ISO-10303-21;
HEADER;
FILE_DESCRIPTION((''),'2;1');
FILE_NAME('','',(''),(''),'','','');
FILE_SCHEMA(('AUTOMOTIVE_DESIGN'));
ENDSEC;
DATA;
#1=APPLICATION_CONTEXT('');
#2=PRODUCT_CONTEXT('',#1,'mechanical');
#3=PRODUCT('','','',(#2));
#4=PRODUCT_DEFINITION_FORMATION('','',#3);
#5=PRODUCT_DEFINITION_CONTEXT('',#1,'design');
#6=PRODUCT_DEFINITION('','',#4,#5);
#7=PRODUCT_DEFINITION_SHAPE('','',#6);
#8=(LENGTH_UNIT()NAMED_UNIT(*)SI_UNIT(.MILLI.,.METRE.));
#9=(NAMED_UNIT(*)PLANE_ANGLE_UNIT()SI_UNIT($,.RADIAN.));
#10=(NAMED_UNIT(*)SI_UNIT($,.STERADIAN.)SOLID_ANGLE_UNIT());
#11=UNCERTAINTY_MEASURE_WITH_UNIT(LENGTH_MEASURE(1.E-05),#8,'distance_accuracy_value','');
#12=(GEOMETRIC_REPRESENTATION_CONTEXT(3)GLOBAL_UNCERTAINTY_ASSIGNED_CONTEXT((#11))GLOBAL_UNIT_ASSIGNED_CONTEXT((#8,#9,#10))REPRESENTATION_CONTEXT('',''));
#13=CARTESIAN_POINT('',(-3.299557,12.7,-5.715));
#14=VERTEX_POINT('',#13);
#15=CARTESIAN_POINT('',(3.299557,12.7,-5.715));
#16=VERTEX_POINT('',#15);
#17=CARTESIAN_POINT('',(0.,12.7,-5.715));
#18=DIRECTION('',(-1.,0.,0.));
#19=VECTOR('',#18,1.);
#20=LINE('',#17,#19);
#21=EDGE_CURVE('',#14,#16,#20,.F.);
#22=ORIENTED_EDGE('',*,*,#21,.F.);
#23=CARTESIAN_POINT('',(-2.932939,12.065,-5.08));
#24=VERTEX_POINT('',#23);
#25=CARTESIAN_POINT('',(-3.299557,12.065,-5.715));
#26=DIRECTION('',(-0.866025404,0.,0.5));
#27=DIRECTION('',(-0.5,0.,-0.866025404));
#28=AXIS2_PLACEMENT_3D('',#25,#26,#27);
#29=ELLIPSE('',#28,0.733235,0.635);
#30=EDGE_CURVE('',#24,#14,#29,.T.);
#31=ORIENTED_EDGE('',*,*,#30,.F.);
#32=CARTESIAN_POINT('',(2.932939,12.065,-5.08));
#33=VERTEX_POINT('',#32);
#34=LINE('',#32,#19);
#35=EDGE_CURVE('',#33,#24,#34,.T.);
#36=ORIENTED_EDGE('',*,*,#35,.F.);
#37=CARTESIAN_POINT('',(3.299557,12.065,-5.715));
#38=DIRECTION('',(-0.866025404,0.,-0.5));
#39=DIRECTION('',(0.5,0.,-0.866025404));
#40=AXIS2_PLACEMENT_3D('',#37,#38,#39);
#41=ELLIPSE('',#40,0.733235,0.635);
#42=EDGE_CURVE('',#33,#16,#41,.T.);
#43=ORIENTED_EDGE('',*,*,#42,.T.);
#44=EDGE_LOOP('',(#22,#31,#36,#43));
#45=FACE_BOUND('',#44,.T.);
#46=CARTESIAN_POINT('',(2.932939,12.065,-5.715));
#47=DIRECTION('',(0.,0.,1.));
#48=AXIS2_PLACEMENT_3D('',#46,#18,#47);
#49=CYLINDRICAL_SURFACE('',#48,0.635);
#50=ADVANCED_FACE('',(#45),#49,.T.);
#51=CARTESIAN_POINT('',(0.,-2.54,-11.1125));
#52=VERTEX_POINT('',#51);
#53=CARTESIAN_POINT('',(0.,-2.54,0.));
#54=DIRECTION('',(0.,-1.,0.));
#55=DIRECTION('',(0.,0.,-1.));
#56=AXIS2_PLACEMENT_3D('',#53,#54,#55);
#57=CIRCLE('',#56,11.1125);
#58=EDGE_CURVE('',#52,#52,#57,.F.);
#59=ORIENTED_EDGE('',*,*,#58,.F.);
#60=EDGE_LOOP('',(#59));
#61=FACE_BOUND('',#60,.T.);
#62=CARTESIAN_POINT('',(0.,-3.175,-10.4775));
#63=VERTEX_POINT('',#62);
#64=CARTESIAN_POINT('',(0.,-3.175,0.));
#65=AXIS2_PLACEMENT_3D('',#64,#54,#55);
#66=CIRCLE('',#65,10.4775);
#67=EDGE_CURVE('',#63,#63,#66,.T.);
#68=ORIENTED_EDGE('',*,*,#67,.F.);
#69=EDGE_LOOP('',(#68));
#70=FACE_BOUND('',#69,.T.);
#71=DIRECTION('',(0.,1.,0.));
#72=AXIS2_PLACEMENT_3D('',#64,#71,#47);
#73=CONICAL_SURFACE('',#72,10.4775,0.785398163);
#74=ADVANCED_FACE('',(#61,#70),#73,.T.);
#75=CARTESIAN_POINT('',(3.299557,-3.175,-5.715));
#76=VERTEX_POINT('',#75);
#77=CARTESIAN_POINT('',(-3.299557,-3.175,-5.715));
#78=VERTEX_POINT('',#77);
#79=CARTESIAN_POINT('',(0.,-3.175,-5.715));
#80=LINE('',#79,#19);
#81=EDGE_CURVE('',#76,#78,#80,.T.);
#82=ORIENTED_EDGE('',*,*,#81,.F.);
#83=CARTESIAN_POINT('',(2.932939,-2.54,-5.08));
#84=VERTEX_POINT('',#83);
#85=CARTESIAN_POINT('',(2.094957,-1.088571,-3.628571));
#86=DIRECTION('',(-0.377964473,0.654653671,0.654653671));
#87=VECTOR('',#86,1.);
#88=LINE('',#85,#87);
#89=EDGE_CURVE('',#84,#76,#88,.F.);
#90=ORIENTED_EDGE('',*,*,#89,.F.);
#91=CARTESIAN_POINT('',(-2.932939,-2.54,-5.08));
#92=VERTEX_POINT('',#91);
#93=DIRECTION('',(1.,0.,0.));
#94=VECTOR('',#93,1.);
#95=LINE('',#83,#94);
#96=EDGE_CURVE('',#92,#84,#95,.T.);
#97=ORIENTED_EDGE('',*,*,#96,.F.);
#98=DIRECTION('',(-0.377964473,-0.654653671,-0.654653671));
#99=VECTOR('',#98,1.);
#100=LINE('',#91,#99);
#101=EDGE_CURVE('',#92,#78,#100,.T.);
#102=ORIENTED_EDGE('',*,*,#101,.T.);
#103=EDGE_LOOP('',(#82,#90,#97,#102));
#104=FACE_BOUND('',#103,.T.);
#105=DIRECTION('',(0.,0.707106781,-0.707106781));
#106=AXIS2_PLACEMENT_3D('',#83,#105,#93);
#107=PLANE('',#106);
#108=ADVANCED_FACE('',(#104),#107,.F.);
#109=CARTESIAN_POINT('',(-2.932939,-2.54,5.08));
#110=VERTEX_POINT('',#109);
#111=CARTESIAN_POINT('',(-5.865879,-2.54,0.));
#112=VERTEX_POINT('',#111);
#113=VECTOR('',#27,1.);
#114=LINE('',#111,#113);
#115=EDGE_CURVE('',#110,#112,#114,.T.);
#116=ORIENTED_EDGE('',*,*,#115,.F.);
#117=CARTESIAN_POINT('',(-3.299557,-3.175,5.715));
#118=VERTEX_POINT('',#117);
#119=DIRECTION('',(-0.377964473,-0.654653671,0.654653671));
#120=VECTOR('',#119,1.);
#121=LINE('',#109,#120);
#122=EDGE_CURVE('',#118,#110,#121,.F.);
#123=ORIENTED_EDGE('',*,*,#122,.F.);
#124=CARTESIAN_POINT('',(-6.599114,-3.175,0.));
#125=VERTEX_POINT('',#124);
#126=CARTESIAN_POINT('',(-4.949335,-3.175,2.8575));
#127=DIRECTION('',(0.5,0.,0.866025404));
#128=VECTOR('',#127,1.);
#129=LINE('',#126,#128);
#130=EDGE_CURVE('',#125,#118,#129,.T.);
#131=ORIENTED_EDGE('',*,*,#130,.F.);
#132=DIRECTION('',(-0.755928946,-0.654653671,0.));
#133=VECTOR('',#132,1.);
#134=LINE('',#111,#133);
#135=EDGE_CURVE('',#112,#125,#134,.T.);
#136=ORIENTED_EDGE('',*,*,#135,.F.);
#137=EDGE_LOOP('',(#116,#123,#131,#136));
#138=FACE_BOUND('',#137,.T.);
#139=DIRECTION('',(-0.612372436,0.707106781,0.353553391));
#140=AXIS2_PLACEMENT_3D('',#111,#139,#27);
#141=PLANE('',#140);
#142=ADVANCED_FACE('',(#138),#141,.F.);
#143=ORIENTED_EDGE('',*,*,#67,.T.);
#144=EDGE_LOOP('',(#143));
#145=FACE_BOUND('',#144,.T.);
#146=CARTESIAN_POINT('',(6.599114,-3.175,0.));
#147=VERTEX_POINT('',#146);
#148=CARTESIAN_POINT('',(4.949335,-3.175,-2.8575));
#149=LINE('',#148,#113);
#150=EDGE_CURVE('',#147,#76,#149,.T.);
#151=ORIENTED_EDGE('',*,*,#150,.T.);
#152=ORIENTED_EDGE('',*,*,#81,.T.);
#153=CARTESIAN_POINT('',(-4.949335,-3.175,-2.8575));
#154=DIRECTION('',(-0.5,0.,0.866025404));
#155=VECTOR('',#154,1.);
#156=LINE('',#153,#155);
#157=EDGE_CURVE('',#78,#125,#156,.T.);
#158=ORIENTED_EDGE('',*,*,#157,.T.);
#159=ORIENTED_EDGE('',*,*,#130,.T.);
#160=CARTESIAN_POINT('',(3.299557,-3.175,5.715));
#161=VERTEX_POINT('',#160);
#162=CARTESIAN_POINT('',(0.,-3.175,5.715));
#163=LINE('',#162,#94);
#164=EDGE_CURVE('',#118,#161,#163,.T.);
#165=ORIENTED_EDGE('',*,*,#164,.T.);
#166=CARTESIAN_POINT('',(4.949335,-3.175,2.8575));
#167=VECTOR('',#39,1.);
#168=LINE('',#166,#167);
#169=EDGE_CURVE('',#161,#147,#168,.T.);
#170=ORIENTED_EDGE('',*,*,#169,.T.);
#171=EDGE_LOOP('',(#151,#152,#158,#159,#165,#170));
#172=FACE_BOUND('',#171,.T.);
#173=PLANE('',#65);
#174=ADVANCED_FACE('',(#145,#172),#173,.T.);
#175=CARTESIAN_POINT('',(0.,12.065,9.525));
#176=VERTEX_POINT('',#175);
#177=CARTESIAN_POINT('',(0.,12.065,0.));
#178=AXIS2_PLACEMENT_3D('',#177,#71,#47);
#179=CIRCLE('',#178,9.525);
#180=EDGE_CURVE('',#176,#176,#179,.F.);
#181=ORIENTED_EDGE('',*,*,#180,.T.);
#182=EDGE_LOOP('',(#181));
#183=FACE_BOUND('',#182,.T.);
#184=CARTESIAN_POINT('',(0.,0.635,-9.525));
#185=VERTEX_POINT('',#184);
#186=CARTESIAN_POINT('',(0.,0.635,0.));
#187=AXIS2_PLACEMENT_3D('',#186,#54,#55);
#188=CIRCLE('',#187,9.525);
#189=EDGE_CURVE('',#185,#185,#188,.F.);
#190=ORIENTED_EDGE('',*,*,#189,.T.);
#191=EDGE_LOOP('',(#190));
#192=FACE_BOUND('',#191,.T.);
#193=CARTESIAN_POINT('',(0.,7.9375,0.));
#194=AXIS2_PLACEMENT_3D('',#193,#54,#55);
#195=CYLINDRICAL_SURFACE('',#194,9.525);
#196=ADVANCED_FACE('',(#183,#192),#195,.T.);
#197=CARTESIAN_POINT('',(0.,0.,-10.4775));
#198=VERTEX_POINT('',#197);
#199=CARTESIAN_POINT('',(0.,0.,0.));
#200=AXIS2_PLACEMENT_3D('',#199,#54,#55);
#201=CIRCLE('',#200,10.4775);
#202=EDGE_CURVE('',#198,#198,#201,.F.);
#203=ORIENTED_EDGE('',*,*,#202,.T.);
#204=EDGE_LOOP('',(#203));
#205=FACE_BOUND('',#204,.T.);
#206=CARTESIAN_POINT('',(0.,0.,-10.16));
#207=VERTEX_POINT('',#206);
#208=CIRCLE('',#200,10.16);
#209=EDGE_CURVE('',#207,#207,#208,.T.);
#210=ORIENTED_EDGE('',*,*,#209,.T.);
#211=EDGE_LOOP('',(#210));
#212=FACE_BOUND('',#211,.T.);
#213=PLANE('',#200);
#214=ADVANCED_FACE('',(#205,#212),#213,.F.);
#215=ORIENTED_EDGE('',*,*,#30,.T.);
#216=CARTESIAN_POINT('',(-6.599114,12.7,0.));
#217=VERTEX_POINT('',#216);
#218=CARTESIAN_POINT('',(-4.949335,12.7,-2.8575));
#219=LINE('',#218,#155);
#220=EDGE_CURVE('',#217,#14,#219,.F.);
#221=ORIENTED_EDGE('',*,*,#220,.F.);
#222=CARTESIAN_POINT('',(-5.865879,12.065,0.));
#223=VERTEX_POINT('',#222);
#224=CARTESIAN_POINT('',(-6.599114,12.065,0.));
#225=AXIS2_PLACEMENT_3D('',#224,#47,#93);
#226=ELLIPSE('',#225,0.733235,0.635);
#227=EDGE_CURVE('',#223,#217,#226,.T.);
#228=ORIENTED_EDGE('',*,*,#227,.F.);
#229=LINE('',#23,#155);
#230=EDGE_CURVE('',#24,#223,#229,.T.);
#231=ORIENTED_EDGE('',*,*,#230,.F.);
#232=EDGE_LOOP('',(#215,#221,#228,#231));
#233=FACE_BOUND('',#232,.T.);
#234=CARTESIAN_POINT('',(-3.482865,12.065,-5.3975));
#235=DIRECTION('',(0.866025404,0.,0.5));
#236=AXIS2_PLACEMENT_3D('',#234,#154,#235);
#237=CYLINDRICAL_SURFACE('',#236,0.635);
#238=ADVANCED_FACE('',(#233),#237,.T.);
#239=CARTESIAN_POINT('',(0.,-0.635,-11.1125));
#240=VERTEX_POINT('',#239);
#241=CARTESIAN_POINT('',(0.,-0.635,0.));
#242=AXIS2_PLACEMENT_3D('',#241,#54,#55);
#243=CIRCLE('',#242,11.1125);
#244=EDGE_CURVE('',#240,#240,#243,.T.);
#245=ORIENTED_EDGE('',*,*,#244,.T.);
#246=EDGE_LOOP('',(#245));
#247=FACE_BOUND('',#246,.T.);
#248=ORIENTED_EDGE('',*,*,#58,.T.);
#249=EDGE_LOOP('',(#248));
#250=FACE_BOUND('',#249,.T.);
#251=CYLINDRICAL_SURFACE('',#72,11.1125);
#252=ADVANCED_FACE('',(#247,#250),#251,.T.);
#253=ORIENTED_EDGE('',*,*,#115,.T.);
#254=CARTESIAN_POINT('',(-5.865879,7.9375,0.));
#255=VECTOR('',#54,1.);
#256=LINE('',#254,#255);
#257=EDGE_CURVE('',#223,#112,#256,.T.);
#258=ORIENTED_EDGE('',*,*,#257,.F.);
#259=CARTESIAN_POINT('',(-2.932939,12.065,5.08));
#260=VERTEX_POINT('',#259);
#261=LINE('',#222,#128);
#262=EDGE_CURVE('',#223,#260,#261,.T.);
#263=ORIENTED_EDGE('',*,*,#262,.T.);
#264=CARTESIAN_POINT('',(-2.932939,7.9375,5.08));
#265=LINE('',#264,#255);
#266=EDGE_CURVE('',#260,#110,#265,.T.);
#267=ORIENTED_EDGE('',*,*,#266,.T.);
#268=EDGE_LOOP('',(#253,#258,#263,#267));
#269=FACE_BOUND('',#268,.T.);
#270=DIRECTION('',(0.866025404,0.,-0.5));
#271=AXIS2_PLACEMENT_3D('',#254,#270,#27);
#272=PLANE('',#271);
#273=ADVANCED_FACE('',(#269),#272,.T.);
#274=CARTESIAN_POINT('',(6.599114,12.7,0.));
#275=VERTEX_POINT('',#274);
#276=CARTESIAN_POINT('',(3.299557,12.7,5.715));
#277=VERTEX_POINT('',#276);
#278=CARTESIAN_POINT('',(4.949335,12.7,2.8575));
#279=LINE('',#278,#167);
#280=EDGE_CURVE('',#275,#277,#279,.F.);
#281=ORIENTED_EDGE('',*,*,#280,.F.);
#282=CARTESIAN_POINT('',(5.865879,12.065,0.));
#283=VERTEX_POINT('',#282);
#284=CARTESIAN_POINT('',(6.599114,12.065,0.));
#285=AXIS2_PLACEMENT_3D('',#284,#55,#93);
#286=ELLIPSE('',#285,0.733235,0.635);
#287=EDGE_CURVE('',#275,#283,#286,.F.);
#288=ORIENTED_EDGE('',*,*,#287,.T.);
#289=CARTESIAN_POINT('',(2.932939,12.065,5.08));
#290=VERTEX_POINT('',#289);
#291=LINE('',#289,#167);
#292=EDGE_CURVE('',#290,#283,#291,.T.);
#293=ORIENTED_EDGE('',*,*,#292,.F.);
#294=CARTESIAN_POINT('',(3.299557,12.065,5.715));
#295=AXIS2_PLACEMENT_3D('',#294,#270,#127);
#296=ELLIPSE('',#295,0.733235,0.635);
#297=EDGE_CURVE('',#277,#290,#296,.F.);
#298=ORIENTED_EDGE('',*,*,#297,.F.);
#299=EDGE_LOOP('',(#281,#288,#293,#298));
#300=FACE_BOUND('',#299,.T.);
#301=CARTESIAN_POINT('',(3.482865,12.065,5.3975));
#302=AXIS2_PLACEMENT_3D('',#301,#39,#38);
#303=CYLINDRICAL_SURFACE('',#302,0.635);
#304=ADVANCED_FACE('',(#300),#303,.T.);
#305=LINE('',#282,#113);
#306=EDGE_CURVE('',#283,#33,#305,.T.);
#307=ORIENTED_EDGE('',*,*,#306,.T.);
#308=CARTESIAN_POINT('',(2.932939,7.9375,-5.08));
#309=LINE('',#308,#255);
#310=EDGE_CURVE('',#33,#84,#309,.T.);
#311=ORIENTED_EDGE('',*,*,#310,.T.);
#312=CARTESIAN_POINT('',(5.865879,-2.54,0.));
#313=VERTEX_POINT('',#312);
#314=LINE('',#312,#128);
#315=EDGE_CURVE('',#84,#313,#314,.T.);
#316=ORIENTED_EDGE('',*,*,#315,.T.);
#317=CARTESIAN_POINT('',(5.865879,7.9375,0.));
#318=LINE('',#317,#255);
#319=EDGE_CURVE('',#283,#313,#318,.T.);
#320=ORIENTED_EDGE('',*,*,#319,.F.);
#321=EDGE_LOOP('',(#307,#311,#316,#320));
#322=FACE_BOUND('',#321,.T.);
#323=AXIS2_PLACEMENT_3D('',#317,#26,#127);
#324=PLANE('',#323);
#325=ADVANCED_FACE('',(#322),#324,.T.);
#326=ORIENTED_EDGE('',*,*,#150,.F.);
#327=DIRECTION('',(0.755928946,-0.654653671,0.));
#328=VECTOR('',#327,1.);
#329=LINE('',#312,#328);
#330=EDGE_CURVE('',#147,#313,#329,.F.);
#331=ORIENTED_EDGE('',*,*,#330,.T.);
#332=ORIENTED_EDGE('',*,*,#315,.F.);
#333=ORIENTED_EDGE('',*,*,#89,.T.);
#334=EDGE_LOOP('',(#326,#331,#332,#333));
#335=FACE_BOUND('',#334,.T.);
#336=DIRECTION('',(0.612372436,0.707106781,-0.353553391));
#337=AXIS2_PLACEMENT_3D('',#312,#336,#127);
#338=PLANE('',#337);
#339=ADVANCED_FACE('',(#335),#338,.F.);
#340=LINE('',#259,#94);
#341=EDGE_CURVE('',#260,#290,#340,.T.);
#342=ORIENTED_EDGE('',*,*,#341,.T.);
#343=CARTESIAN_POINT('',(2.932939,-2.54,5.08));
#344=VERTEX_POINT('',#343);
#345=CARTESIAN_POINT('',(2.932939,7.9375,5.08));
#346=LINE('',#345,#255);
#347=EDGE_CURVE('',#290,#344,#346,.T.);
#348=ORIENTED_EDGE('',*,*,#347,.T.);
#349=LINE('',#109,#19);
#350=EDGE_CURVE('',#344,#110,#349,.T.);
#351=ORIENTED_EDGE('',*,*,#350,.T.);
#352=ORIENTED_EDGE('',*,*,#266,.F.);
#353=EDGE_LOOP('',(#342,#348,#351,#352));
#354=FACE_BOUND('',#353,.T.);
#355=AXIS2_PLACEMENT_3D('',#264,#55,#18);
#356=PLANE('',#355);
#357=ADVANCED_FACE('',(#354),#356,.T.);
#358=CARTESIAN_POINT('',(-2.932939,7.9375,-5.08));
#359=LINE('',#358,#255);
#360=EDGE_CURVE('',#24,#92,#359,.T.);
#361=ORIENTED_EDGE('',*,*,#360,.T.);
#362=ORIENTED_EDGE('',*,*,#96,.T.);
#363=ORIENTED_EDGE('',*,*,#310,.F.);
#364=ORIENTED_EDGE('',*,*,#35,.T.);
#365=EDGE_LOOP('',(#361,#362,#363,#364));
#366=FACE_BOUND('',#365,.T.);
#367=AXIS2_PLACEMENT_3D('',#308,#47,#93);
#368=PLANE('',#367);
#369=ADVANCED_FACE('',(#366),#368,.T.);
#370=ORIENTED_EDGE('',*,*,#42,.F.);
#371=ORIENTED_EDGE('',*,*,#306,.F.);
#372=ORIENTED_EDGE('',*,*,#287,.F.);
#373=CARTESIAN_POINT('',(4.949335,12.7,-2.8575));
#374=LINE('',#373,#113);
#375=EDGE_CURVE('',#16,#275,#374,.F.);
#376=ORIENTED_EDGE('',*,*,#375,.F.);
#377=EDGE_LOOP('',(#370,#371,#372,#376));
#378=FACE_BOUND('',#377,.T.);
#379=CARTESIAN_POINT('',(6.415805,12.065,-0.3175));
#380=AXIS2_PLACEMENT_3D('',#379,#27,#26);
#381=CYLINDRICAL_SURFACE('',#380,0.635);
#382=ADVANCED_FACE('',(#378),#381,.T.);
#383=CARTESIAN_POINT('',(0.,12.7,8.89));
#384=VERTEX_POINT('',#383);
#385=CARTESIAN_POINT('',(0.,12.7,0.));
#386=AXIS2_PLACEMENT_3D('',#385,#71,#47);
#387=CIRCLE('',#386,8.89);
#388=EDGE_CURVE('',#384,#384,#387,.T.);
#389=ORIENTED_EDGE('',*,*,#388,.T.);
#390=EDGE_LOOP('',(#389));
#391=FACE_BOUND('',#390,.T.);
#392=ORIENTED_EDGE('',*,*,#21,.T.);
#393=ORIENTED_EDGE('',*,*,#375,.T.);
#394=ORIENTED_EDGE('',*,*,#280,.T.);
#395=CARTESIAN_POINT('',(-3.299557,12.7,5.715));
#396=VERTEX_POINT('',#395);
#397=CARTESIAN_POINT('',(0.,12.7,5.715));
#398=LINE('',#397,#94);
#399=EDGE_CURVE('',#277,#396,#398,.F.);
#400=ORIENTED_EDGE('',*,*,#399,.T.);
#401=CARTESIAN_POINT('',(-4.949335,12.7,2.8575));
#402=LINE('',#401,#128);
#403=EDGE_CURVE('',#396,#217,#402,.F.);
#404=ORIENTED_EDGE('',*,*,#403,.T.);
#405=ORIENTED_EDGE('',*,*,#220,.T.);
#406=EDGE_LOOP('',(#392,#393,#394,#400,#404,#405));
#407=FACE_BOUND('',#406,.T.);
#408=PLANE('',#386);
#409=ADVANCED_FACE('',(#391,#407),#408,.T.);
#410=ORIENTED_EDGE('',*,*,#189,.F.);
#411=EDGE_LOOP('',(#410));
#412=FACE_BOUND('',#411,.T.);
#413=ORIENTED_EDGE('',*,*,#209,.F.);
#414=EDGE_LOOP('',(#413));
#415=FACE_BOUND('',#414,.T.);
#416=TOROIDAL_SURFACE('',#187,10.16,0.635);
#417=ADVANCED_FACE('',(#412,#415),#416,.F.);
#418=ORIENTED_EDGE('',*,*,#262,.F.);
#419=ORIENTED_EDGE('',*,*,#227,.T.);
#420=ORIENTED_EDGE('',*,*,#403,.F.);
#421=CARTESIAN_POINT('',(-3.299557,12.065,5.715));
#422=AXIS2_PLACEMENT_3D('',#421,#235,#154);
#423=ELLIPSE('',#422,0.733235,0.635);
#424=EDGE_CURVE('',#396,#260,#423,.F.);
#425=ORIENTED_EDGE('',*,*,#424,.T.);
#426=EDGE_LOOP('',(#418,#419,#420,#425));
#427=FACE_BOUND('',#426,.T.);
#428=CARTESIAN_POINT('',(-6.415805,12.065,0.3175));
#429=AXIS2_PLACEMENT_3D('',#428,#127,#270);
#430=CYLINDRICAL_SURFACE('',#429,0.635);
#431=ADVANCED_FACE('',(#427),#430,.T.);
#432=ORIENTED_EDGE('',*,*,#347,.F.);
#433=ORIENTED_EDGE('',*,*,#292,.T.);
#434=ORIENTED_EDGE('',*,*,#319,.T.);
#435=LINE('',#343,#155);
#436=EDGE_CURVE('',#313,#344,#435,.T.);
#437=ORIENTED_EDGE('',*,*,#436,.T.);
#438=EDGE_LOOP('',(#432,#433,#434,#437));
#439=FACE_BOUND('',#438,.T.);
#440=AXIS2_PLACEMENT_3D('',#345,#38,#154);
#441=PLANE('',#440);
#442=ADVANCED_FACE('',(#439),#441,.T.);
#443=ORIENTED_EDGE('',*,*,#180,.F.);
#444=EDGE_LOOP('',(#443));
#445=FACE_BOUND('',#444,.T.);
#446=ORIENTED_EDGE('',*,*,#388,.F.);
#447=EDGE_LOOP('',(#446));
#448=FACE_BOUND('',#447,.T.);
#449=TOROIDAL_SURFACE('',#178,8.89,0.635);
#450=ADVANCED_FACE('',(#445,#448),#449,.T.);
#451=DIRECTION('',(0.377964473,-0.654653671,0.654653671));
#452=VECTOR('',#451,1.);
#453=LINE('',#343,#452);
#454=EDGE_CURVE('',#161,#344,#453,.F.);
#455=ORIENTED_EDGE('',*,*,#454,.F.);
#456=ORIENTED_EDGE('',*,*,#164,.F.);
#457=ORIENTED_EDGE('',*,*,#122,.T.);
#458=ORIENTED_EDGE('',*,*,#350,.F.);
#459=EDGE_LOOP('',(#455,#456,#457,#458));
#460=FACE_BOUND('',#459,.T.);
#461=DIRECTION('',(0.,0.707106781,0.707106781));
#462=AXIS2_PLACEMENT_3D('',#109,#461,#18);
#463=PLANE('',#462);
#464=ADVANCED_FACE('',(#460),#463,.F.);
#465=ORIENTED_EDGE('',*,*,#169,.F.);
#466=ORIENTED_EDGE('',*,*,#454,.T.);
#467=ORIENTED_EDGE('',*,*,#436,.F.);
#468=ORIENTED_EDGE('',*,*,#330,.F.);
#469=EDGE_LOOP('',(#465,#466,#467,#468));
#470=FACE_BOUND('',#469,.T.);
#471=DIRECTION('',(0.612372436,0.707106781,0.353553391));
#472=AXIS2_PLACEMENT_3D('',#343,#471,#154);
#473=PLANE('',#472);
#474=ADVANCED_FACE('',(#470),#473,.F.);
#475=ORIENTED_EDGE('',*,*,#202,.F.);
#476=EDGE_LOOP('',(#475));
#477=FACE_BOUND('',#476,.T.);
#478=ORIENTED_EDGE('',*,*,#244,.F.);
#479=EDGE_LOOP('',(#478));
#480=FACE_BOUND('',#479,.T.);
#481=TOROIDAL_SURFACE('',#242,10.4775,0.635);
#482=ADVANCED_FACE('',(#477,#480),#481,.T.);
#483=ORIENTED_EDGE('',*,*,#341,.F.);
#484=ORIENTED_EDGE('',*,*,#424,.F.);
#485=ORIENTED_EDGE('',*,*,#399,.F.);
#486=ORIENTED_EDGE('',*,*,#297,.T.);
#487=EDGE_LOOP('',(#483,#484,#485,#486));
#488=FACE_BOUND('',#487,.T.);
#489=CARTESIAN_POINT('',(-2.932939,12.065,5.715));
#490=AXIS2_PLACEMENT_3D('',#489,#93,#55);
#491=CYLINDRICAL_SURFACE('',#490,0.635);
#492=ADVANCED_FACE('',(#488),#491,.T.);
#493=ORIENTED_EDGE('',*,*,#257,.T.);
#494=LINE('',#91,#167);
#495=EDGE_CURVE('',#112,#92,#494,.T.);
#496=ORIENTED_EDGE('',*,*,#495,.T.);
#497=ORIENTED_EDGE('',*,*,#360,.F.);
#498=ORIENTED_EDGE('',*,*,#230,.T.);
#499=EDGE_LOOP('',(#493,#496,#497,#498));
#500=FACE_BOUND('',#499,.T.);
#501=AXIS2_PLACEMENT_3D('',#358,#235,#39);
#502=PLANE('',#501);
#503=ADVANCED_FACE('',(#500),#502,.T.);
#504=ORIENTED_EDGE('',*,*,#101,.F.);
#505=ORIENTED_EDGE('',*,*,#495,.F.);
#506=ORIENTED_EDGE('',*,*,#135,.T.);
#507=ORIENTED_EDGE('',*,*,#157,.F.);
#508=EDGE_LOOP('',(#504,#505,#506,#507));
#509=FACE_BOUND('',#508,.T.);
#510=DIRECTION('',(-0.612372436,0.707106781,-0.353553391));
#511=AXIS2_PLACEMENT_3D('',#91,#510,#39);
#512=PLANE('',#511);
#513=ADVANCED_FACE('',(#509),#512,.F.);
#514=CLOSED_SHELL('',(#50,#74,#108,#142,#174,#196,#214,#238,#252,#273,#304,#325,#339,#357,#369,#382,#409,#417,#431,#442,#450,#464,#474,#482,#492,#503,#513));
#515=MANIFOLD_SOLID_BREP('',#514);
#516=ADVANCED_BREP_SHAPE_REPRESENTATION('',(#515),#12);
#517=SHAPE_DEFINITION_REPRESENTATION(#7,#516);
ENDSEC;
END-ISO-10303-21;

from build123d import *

# Parameters (mm, degrees)
SKETCH1_R           = 9.525
BOSS_EXTRUDE1_DEPTH = 7.9375
SKETCH2_R           = 9.525
BOSS_EXTRUDE2_DEPTH = 4.7625
SKETCH3_R           = 11.1125
BOSS_EXTRUDE3_DEPTH = 3.175
FILLET1_R           = 0.635
FILLET3_R           = 0.635
CHAMFER1_SIZE       = 0.635


with BuildPart() as part:
    # Sketch1 → Boss-Extrude1 (new body)
    with BuildSketch(Plane(origin=(0, 0, 0), x_dir=(1, 0, 0), z_dir=(0, 1, 0))):
        with Locations(Location((0, 0, 0), (0, 0, 270))):
            Circle(SKETCH1_R)
        Polygon((5.865878735, 0), (2.932939367, 5.08), (-2.932939367, 5.08), (-5.865878735, 0), (-2.932939367, -5.08), (2.932939367, -5.08), align=None, mode=Mode.SUBTRACT)
    extrude(amount=BOSS_EXTRUDE1_DEPTH)

    # Sketch2 → Boss-Extrude2 (add)
    with BuildSketch(Plane(origin=(0, 7.9375, 0), x_dir=(1, 0, 0), z_dir=(0, 1, 0))):
        with Locations(Location((0, 0, 0), (0, 0, 270))):
            Circle(SKETCH2_R)
        Polygon((-2.932939367, 5.08), (-5.865878735, 0), (-2.932939367, -5.08), (2.932939367, -5.08), (5.865878735, 0), (2.932939367, 5.08), align=None, mode=Mode.SUBTRACT)
    extrude(amount=BOSS_EXTRUDE2_DEPTH)

    # Sketch3 → Boss-Extrude3 (add)
    with BuildSketch(Plane.XZ):
        with Locations(Location((0, 0, 0), (0, 0, 270))):
            Circle(SKETCH3_R)
        Polygon((-2.932939367, 5.08), (2.932939367, 5.08), (5.865878735, 0), (2.932939367, -5.08), (-2.932939367, -5.08), (-5.865878735, 0), align=None, mode=Mode.SUBTRACT)
    extrude(amount=BOSS_EXTRUDE3_DEPTH)

    # Fillet1
    fillet1_edges = [part.edges().sort_by_distance(p)[0] for p in [
        (0, 0, -9.525),
        (0, 0, 11.1125),
    ]]
    fillet(fillet1_edges, radius=FILLET1_R)

    # Fillet3
    fillet3_edges = [part.edges().sort_by_distance(p)[0] for p in [
        (0, 12.7, -9.525),
        (0, 12.7, -5.08),
        (-4.399409051, 12.7, -2.54),
        (-4.399409051, 12.7, 2.54),
        (0, 12.7, 5.08),
        (4.399409051, 12.7, 2.54),
        (4.399409051, 12.7, -2.54),
    ]]
    fillet(fillet3_edges, radius=FILLET3_R)

    # Chamfer1
    chamfer1_edges = [part.edges().sort_by_distance(p)[0] for p in [
        (0, -3.175, 11.1125),
        (-4.399409051, -3.175, 2.54),
        (-4.399409051, -3.175, -2.54),
        (0, -3.175, -5.08),
        (4.399409051, -3.175, -2.54),
        (4.399409051, -3.175, 2.54),
        (0, -3.175, 5.08),
    ]]
    chamfer(chamfer1_edges, length=CHAMFER1_SIZE)


solid = part.part
